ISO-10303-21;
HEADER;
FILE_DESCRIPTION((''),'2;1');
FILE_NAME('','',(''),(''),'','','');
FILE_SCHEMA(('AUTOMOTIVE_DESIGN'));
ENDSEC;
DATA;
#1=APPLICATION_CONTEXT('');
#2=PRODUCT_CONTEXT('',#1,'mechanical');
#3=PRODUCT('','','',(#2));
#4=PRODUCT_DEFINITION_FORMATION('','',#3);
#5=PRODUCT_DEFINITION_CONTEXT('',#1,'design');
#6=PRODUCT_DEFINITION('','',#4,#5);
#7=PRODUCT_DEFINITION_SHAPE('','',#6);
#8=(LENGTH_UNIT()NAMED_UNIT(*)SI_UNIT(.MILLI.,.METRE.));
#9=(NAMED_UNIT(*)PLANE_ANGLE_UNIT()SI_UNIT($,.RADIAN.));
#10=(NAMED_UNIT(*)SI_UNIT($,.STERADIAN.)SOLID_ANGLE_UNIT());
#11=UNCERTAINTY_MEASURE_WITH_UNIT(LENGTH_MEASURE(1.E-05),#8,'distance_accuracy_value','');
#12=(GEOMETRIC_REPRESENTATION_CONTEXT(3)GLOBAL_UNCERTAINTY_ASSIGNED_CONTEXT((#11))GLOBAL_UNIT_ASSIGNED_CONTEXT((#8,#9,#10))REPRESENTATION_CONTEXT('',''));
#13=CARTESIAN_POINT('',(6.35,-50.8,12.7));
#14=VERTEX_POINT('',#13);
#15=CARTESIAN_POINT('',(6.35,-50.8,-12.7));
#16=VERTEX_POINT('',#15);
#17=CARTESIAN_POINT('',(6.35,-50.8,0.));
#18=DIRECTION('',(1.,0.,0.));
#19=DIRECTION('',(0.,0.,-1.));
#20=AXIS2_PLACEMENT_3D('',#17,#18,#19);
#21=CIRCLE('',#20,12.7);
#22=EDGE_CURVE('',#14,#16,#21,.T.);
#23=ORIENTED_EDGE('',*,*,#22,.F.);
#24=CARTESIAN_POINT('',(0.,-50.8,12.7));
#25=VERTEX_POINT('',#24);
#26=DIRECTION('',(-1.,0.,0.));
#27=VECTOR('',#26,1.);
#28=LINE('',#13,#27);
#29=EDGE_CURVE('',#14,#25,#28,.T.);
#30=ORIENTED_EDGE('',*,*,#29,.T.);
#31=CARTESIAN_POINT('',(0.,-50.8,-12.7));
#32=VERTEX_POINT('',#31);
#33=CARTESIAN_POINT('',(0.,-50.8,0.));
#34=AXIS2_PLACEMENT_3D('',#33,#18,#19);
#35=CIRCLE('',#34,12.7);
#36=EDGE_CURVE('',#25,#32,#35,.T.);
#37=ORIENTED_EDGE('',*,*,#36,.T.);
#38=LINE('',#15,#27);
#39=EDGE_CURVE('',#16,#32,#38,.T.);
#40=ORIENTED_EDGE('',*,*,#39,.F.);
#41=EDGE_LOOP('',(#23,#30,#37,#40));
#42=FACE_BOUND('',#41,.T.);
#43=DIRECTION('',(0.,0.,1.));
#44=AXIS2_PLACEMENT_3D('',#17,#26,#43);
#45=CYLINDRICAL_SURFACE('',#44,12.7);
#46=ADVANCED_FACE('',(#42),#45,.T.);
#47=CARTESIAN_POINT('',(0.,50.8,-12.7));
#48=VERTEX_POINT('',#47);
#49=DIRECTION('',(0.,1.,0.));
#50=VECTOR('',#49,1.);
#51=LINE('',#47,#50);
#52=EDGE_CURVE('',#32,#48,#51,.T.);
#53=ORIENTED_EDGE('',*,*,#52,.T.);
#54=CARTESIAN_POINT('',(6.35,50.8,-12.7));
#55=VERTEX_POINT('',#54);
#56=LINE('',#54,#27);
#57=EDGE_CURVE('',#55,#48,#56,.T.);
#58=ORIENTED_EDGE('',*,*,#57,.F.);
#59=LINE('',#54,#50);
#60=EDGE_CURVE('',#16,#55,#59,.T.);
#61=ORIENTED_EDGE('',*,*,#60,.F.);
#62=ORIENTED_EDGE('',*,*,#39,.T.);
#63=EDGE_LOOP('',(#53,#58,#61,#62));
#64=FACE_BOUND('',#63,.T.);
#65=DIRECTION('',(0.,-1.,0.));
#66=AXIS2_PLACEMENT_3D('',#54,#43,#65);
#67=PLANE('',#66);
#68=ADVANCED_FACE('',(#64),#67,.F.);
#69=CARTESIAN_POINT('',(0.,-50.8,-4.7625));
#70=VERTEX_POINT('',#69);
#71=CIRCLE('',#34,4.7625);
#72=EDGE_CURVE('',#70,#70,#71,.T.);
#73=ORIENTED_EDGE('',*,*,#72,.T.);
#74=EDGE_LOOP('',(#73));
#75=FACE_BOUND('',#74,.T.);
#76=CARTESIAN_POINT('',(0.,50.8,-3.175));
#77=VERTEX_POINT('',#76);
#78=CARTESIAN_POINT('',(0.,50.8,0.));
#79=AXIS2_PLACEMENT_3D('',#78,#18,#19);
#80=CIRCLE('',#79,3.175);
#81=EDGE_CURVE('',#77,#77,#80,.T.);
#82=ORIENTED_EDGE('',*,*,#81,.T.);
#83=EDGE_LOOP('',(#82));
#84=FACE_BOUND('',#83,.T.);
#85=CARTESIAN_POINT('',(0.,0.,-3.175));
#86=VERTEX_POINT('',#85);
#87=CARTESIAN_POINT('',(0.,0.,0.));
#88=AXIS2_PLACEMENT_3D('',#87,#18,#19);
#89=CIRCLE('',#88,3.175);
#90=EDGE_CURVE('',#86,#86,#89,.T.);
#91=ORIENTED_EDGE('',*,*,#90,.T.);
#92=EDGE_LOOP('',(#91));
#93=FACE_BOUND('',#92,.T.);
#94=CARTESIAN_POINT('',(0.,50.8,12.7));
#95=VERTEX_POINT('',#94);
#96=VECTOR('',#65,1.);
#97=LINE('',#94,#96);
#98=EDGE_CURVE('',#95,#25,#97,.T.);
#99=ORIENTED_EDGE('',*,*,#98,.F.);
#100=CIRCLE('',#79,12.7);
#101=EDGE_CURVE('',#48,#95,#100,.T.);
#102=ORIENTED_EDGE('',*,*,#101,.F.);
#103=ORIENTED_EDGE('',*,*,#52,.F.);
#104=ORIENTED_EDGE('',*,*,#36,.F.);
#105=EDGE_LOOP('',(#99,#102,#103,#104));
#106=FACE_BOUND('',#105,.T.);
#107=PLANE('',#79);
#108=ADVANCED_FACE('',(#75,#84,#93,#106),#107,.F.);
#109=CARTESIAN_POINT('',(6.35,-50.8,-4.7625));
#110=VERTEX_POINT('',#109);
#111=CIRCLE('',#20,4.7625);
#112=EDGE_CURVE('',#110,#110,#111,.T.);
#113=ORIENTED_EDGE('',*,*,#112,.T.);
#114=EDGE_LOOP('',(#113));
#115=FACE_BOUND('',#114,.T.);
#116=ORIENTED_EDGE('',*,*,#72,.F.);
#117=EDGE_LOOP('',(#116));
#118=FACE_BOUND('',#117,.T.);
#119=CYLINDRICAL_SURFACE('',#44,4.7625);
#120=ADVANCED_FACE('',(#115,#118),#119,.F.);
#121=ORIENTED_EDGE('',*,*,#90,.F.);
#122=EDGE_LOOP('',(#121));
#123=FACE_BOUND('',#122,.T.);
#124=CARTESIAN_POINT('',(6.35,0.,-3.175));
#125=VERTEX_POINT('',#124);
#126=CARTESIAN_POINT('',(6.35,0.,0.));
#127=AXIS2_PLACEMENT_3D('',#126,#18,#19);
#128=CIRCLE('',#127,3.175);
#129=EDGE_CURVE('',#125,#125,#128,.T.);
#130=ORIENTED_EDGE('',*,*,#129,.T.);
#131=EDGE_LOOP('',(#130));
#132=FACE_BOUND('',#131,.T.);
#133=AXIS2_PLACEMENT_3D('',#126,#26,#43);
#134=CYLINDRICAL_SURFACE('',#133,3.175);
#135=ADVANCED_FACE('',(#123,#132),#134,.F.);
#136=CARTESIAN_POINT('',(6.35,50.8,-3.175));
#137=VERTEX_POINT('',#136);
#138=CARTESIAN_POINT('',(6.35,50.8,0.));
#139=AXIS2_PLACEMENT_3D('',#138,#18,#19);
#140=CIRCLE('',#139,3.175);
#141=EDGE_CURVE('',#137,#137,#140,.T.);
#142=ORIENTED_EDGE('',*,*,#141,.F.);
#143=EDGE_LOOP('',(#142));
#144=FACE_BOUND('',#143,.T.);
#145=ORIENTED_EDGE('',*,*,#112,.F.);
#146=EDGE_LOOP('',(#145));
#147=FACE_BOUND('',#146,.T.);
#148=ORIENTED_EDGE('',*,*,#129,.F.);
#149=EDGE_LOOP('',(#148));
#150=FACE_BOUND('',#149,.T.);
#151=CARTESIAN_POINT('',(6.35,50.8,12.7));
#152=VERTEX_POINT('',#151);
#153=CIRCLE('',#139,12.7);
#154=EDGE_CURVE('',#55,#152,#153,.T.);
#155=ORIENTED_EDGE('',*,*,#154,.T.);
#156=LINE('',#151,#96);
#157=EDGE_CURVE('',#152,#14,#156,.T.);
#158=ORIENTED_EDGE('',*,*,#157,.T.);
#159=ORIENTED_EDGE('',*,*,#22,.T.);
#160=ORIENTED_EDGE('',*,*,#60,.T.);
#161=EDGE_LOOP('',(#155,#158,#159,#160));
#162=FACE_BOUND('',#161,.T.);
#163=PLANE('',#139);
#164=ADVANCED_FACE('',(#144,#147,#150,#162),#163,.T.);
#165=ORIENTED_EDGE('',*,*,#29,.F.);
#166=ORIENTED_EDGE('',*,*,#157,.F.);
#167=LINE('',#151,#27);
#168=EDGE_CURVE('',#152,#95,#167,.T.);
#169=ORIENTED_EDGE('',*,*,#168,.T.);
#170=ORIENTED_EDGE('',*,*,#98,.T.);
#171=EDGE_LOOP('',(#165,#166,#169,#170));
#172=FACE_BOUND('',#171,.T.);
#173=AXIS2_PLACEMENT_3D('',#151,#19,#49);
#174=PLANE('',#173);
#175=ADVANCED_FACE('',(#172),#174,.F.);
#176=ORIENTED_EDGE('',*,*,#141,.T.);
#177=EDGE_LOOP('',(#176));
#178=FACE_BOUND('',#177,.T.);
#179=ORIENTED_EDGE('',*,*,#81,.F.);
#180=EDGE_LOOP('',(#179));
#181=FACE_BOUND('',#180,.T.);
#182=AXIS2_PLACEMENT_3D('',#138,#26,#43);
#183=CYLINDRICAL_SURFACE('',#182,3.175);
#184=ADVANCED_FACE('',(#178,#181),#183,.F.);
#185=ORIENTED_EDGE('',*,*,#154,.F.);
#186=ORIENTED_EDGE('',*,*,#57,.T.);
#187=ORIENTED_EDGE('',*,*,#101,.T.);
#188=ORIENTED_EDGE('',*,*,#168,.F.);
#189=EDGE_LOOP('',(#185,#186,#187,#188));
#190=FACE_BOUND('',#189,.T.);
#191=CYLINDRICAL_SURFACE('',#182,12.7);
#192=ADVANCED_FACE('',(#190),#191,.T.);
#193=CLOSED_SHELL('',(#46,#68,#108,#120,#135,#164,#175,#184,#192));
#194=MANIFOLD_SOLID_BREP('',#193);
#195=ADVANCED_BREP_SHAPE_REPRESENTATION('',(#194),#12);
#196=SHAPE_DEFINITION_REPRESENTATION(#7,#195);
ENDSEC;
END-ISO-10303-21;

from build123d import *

# Parameters (mm, degrees)
SKETCH1_R           = 3.175
SKETCH1_R_2         = 4.7625
BOSS_EXTRUDE1_DEPTH = 6.35


with BuildPart() as part:
    # Sketch1 → Boss-Extrude1 (new body)
    with BuildSketch(Plane(origin=(0, 0, 0), x_dir=(0, 0, -1), z_dir=(1, 0, 0))):
        with BuildLine():
            Line((12.7, 50.8), (12.7, -50.8))
            ThreePointArc((12.7, -50.8), (0, -63.5), (-12.7, -50.8))
            Line((-12.7, -50.8), (-12.7, 50.8))
            ThreePointArc((-12.7, 50.8), (0, 63.5), (12.7, 50.8))
        make_face()
        with Locations((0, 50.8)):
            Circle(SKETCH1_R, mode=Mode.SUBTRACT)
        Circle(SKETCH1_R, mode=Mode.SUBTRACT)
        with Locations((0, -50.8)):
            Circle(SKETCH1_R_2, mode=Mode.SUBTRACT)
    extrude(amount=BOSS_EXTRUDE1_DEPTH)


solid = part.part
